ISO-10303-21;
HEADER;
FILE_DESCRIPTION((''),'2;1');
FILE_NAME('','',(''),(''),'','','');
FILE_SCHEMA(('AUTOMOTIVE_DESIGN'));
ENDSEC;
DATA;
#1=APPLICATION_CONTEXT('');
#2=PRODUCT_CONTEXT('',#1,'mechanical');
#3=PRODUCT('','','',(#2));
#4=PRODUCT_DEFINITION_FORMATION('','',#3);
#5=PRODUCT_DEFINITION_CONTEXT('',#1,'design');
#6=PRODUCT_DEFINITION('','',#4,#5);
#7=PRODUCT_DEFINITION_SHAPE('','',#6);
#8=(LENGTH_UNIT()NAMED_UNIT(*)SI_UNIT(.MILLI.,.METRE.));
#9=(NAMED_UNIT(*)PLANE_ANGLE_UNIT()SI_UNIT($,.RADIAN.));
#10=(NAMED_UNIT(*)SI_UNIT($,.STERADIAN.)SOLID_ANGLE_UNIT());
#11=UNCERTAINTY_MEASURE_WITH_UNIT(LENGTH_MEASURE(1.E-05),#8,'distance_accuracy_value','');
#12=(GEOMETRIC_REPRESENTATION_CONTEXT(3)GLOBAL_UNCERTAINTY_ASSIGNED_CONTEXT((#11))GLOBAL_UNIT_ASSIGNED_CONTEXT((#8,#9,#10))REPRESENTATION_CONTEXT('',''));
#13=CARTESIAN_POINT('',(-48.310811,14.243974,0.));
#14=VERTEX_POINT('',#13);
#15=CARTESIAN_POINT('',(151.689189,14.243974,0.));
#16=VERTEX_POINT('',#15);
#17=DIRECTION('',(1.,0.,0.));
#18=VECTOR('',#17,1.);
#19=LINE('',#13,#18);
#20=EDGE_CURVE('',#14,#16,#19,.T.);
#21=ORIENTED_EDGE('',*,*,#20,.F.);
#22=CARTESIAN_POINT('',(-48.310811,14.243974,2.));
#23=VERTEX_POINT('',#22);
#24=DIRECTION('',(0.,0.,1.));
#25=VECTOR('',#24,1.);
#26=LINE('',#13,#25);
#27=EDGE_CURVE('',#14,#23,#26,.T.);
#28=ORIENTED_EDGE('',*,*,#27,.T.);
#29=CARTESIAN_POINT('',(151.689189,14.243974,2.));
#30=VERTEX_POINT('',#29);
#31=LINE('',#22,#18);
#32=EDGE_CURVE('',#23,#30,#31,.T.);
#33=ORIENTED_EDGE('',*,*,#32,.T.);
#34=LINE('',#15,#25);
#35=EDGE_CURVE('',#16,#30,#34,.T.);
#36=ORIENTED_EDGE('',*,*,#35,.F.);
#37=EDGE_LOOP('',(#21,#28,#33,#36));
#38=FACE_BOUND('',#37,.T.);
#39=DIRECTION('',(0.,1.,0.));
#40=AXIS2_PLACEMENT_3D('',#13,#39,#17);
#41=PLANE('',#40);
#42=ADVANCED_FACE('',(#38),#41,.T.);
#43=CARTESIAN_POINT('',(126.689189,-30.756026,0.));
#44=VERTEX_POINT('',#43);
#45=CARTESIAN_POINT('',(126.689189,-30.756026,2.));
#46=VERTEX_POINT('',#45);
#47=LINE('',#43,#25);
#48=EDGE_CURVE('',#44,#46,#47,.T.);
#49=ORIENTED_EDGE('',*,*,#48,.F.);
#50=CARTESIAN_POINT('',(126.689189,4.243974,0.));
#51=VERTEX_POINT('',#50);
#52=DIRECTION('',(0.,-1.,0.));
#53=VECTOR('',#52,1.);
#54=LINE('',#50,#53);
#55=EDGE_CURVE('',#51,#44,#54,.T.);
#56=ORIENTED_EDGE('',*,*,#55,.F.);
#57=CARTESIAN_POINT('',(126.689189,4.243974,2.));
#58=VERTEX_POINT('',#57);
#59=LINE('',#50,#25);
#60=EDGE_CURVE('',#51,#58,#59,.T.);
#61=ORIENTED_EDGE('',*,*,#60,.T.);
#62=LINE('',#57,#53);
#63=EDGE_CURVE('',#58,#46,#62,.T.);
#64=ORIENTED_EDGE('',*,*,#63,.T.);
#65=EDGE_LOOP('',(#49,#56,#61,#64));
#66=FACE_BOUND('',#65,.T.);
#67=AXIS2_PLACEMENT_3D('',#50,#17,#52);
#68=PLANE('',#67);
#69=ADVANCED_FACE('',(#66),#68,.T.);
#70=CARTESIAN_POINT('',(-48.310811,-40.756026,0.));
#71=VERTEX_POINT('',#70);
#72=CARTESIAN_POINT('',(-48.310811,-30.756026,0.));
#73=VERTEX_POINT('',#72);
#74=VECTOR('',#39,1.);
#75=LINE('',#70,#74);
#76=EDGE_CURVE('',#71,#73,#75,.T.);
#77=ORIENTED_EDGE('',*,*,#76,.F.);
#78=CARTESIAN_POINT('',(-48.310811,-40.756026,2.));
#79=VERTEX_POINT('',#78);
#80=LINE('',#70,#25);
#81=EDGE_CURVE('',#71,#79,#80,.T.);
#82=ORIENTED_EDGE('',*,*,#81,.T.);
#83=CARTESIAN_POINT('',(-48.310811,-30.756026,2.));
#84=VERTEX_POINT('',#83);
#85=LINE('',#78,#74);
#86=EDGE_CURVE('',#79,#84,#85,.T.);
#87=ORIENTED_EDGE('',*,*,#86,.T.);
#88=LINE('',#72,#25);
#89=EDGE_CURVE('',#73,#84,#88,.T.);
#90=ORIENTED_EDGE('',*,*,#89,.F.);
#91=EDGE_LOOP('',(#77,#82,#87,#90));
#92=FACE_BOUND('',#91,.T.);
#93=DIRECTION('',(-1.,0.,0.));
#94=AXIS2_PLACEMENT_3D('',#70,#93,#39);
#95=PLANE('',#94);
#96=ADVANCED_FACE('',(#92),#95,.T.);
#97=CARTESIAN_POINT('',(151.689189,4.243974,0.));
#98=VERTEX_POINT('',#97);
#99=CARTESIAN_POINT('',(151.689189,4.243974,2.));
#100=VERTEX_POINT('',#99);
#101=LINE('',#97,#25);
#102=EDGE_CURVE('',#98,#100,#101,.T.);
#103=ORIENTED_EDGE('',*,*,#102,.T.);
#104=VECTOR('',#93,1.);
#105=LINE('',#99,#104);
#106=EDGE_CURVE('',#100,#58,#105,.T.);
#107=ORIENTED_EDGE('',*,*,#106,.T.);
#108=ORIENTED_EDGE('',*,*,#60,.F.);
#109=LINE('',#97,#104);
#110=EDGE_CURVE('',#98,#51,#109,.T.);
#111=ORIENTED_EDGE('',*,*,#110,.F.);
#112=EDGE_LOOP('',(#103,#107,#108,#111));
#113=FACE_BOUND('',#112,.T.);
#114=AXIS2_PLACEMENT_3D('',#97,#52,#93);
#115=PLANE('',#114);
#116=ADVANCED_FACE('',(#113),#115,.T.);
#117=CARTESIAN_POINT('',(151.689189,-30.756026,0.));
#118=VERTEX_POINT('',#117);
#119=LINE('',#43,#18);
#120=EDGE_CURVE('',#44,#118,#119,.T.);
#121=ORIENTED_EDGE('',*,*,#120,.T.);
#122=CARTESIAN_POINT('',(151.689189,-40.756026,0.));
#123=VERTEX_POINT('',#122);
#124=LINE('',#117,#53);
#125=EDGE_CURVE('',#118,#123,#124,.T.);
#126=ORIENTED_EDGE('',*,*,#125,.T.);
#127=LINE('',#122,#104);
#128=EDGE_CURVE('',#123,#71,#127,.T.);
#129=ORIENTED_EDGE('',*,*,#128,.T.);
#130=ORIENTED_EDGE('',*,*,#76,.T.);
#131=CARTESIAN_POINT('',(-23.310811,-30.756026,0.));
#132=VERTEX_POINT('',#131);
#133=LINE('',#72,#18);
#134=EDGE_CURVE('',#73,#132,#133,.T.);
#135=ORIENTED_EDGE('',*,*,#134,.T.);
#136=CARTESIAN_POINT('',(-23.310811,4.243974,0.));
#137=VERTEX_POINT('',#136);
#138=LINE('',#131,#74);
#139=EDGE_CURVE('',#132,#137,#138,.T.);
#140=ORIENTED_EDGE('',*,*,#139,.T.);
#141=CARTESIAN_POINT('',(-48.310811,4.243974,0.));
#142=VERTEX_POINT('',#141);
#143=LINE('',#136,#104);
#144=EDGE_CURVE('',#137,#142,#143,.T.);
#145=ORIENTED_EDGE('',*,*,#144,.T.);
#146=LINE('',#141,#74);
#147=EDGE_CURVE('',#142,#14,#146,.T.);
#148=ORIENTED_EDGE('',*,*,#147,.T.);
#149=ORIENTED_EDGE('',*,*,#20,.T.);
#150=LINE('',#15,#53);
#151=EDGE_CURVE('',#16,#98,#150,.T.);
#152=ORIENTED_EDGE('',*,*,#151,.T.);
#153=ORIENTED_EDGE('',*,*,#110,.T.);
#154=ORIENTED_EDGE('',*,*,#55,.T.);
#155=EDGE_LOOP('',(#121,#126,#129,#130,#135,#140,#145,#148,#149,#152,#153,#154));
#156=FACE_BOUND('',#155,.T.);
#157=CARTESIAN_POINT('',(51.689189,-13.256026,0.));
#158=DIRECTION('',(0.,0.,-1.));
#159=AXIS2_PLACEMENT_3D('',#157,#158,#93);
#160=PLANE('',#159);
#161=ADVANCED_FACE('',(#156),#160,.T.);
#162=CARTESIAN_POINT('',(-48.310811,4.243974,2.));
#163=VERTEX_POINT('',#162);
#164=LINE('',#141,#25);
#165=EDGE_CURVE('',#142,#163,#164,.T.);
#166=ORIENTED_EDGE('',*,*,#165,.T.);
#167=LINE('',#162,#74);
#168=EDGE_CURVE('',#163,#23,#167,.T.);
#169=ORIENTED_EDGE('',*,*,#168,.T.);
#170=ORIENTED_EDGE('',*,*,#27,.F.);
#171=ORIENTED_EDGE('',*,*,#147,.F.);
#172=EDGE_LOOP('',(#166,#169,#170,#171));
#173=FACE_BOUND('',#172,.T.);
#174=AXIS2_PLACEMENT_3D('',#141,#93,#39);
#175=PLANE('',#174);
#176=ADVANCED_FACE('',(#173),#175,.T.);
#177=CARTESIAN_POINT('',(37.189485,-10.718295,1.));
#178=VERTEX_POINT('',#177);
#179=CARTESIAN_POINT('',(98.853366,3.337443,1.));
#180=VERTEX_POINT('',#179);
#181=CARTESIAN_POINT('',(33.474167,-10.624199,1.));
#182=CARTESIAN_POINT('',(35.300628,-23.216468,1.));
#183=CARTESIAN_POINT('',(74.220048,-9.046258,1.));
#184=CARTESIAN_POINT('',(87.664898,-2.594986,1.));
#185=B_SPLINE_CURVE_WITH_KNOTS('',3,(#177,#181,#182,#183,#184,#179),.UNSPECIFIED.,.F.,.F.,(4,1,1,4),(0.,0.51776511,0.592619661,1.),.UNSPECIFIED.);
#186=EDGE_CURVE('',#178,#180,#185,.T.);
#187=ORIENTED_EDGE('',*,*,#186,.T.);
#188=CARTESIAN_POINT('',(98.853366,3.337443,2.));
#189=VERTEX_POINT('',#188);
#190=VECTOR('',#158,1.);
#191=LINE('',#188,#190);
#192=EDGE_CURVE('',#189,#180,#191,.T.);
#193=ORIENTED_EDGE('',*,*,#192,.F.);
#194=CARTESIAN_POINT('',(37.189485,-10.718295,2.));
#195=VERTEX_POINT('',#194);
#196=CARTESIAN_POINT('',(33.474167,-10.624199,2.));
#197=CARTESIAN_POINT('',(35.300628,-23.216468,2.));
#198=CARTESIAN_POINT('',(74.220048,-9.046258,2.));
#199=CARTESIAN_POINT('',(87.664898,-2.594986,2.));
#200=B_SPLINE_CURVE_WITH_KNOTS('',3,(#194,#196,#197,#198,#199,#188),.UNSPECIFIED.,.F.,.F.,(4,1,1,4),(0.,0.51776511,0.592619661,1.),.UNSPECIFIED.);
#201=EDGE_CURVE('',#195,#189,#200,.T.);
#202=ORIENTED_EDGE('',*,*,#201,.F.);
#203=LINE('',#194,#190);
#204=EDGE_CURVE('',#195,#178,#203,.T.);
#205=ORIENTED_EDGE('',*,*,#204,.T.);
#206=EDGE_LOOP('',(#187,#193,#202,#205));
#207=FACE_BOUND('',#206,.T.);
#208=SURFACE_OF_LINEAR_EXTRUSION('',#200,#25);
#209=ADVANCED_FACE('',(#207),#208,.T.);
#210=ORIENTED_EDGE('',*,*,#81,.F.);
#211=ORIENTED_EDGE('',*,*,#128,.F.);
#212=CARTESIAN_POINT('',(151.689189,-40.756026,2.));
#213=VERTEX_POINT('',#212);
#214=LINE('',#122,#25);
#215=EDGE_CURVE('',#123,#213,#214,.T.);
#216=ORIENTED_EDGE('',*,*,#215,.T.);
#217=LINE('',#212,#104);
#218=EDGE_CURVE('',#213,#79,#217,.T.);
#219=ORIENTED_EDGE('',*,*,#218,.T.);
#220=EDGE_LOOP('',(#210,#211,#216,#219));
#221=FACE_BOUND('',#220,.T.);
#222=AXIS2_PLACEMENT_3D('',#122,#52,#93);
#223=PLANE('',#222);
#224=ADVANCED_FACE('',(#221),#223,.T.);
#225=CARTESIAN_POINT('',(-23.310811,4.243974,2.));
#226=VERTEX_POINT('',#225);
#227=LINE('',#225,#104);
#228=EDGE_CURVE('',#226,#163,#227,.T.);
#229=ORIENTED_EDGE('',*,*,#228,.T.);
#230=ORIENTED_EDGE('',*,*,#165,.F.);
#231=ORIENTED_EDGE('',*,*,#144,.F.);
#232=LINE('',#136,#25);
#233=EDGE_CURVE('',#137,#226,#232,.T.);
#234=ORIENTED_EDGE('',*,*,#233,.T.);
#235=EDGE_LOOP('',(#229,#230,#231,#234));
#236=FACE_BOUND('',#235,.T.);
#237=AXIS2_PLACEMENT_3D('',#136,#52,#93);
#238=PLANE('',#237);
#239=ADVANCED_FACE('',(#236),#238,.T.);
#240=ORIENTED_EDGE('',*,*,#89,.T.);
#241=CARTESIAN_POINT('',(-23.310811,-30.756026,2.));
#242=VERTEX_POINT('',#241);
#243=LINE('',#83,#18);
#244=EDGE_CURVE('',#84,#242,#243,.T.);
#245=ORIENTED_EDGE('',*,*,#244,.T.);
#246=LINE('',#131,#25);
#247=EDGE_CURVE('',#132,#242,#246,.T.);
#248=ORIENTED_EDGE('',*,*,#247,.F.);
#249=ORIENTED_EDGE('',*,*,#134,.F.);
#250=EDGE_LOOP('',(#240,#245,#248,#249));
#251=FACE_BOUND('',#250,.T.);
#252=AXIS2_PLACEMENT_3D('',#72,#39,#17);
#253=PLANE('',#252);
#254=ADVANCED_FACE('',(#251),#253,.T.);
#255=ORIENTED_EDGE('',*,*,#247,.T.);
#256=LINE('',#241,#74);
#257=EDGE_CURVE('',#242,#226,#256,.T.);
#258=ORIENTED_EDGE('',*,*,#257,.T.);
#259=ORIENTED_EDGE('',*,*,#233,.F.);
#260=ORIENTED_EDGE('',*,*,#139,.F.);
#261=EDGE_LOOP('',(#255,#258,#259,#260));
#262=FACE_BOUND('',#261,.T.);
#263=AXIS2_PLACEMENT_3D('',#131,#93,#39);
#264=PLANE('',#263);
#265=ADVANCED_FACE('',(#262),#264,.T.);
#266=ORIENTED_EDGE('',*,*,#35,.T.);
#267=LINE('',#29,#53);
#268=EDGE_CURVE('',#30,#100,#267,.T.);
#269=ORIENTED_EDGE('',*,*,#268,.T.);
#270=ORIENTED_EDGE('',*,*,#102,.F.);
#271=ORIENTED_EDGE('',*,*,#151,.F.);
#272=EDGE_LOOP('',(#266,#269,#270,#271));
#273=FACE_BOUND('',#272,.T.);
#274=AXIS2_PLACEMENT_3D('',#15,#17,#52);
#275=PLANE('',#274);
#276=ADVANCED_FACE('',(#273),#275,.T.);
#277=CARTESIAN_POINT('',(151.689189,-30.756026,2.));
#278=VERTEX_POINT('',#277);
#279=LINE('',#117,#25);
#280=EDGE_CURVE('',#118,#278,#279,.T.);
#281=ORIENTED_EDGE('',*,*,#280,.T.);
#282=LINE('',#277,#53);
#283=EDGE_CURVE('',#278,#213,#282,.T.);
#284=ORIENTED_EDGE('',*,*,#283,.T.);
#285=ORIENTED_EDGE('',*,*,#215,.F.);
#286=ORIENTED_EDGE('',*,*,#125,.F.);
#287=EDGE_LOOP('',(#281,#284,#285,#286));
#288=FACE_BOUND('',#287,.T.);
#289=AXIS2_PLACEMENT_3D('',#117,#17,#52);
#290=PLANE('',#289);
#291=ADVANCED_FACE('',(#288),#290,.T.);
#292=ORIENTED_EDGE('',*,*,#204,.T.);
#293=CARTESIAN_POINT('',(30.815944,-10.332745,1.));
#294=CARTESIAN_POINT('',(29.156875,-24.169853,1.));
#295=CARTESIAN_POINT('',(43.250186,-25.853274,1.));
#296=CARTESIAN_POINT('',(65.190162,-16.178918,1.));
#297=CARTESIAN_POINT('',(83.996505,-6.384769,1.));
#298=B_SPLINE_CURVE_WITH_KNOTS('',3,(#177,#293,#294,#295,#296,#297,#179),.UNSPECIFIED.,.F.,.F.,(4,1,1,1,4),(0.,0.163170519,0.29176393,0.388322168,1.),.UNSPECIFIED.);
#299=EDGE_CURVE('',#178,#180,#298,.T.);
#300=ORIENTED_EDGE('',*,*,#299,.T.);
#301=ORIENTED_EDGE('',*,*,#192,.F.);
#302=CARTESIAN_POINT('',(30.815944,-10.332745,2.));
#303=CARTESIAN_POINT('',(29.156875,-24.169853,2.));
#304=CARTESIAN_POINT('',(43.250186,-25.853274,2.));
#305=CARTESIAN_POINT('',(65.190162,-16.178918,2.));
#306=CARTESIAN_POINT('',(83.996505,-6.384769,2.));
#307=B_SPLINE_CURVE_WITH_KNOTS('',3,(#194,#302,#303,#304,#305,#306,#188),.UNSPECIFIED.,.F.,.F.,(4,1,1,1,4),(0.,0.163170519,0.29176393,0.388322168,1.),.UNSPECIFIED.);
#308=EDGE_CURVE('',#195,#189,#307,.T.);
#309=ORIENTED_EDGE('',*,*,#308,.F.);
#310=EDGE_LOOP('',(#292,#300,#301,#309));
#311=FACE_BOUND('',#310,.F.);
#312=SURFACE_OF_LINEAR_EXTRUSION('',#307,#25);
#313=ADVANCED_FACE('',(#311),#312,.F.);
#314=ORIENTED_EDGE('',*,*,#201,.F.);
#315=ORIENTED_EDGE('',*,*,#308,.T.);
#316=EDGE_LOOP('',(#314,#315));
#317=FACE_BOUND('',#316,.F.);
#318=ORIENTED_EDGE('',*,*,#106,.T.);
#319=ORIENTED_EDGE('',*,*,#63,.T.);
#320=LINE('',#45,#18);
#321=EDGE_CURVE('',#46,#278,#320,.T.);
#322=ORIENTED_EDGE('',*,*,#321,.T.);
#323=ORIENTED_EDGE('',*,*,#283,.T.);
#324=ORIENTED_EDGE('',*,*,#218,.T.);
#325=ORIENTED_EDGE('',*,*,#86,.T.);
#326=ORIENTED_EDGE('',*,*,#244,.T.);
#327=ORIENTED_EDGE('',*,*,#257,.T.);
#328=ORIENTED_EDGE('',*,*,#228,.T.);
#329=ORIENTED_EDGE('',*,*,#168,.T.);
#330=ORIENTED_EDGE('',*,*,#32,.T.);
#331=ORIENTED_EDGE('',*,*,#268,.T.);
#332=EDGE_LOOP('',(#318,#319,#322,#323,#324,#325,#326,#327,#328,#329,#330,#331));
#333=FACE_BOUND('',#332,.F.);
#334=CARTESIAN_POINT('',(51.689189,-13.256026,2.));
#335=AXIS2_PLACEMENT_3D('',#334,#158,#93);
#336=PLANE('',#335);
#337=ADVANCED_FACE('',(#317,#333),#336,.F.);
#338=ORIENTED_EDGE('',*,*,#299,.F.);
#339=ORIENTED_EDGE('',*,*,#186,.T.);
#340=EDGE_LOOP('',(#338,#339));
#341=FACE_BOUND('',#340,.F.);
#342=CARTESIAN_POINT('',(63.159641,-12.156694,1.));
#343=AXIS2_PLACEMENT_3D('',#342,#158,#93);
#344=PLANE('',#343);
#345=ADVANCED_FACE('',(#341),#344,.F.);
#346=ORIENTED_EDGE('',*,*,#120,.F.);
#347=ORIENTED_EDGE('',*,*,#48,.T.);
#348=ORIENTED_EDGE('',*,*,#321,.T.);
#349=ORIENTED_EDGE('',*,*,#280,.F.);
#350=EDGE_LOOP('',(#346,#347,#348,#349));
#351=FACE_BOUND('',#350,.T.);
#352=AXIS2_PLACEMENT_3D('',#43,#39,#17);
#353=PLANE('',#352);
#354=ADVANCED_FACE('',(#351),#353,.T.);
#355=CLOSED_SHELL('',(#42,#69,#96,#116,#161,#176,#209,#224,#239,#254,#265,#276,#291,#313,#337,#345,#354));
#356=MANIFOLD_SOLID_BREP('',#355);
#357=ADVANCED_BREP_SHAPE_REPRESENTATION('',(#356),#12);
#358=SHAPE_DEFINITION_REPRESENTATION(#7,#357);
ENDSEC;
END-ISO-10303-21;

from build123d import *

# Parameters (mm, degrees)
BOSS_EXTRUDE1_DEPTH = 2
CUT_EXTRUDE1_DEPTH  = 1


with BuildPart() as part:
    # Sketch1 → Boss-Extrude1 (new body)
    with BuildSketch(Plane.XY):
        Polygon((-48.310810811, 14.243974201), (151.689189189, 14.243974201), (151.689189189, 4.243974201), (126.689189189, 4.243974201), (126.689189189, -30.756025799), (151.689189189, -30.756025799), (151.689189189, -40.756025799), (-48.310810811, -40.756025799), (-48.310810811, -30.756025799), (-23.310810811, -30.756025799), (-23.310810811, 4.243974201), (-48.310810811, 4.243974201), align=None)
    extrude(amount=BOSS_EXTRUDE1_DEPTH)

    # Sketch3 → Cut-Extrude1 (cut)
    with BuildSketch(Plane.XY.offset(2)):
        with BuildLine():
            add(Edge.make_bspline(
                [(37.189484824, -10.718294686), (33.474166953, -10.624199422), (35.300627772, -23.216467907), (74.220048032, -9.046257892), (87.664897587, -2.594986042), (98.853365994, 3.337442933)],
                knots=[0, 0, 0, 0, 0.51776511, 0.592619661, 1, 1, 1, 1], degree=3))
            add(Edge.make_bspline(
                [(37.189484824, -10.718294686), (30.815944463, -10.332745105), (29.156875012, -24.169852988), (43.250186434, -25.85327449), (65.190161886, -16.178918043), (83.996504619, -6.384768657), (98.853365994, 3.337442933)],
                knots=[0, 0, 0, 0, 0.163170519, 0.29176393, 0.388322168, 1, 1, 1, 1], degree=3))
        make_face()
    extrude(amount=-CUT_EXTRUDE1_DEPTH, mode=Mode.SUBTRACT)


solid = part.part
